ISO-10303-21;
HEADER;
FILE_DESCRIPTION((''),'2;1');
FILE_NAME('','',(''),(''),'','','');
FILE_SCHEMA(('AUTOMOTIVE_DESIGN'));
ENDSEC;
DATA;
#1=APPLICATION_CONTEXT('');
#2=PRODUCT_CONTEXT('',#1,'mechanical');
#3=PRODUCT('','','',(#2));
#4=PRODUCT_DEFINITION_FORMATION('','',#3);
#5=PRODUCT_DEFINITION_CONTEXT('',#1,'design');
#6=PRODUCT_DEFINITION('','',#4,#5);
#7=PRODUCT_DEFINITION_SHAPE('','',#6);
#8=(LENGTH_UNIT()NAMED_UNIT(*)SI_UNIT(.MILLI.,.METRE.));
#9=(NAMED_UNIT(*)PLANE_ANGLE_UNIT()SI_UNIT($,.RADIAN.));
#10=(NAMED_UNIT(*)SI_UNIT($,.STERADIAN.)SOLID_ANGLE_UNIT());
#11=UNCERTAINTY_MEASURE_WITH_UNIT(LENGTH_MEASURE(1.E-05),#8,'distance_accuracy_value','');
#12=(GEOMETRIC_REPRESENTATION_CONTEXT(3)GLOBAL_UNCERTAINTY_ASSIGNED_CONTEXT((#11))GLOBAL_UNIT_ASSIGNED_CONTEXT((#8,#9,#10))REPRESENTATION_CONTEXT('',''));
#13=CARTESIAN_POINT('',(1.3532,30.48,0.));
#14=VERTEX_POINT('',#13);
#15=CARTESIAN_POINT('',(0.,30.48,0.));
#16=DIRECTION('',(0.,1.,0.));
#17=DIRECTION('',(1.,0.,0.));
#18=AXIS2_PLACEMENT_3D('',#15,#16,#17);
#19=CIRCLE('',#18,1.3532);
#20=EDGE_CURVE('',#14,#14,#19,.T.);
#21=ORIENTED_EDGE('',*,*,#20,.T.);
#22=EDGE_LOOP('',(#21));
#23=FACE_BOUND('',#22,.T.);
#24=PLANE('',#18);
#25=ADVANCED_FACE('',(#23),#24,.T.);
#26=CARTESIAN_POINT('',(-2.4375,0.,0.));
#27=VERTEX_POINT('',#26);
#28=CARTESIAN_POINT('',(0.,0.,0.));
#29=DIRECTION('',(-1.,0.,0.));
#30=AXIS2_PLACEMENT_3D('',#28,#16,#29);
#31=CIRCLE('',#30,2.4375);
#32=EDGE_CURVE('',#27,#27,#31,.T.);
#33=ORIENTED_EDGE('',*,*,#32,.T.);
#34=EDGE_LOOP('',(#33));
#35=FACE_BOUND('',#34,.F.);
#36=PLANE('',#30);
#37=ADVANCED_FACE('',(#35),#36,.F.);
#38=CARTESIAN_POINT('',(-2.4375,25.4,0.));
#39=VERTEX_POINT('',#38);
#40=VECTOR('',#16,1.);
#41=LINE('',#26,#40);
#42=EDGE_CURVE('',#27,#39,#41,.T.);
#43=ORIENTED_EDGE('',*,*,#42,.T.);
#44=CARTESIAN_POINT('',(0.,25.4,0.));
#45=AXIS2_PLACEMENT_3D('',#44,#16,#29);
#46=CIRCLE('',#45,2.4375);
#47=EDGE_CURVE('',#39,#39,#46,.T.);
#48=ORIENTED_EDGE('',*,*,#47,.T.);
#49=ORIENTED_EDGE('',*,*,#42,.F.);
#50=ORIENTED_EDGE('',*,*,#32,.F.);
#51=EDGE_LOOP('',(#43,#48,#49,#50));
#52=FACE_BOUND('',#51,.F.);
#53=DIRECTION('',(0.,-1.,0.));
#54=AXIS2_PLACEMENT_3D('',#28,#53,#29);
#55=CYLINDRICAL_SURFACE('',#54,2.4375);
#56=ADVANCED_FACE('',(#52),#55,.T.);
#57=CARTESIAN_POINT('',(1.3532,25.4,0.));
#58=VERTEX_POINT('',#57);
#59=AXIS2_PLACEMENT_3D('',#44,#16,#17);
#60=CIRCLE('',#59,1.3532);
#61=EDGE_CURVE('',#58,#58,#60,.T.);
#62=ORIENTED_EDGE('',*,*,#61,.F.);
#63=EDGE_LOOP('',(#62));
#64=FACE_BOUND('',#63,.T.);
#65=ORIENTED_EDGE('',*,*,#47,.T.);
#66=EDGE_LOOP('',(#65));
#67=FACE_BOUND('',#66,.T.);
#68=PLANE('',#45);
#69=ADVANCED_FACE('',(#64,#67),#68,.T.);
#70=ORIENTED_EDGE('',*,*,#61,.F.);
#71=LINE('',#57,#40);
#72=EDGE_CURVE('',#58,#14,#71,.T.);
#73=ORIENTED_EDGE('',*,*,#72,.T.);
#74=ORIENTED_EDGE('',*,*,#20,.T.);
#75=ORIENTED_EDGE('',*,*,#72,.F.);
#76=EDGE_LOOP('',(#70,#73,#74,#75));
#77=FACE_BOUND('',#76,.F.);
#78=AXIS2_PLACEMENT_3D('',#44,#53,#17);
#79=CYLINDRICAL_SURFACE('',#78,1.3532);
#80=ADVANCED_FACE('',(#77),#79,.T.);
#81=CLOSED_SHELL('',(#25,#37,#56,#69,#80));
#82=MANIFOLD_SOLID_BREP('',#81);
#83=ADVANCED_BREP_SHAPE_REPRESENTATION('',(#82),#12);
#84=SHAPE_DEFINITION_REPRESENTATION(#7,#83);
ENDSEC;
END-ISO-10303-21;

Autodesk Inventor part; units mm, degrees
sketch "Sketch1" plane through (0, 0, 0) normal (0, 1, 0) x (-1, 0, 0)
  circle A0 centre (0, 0) radius 2.4375
extrude "Extrusion1" add sketch "Sketch1" along normal blind 25.4
sketch "Sketch2" plane through (0, 25.4, 0) normal (0, 1, 0) x (1, 0, 0)
  circle A0 centre (0, 0) radius 1.3532
extrude "Extrusion2" add sketch "Sketch2" along normal blind 5.08
thread "Thread1" size "4-40 UNC" class "2A" standard "ANSI Unified Screw Threads" full length
properties part number "support_rod_ebeam_heater_v0"
